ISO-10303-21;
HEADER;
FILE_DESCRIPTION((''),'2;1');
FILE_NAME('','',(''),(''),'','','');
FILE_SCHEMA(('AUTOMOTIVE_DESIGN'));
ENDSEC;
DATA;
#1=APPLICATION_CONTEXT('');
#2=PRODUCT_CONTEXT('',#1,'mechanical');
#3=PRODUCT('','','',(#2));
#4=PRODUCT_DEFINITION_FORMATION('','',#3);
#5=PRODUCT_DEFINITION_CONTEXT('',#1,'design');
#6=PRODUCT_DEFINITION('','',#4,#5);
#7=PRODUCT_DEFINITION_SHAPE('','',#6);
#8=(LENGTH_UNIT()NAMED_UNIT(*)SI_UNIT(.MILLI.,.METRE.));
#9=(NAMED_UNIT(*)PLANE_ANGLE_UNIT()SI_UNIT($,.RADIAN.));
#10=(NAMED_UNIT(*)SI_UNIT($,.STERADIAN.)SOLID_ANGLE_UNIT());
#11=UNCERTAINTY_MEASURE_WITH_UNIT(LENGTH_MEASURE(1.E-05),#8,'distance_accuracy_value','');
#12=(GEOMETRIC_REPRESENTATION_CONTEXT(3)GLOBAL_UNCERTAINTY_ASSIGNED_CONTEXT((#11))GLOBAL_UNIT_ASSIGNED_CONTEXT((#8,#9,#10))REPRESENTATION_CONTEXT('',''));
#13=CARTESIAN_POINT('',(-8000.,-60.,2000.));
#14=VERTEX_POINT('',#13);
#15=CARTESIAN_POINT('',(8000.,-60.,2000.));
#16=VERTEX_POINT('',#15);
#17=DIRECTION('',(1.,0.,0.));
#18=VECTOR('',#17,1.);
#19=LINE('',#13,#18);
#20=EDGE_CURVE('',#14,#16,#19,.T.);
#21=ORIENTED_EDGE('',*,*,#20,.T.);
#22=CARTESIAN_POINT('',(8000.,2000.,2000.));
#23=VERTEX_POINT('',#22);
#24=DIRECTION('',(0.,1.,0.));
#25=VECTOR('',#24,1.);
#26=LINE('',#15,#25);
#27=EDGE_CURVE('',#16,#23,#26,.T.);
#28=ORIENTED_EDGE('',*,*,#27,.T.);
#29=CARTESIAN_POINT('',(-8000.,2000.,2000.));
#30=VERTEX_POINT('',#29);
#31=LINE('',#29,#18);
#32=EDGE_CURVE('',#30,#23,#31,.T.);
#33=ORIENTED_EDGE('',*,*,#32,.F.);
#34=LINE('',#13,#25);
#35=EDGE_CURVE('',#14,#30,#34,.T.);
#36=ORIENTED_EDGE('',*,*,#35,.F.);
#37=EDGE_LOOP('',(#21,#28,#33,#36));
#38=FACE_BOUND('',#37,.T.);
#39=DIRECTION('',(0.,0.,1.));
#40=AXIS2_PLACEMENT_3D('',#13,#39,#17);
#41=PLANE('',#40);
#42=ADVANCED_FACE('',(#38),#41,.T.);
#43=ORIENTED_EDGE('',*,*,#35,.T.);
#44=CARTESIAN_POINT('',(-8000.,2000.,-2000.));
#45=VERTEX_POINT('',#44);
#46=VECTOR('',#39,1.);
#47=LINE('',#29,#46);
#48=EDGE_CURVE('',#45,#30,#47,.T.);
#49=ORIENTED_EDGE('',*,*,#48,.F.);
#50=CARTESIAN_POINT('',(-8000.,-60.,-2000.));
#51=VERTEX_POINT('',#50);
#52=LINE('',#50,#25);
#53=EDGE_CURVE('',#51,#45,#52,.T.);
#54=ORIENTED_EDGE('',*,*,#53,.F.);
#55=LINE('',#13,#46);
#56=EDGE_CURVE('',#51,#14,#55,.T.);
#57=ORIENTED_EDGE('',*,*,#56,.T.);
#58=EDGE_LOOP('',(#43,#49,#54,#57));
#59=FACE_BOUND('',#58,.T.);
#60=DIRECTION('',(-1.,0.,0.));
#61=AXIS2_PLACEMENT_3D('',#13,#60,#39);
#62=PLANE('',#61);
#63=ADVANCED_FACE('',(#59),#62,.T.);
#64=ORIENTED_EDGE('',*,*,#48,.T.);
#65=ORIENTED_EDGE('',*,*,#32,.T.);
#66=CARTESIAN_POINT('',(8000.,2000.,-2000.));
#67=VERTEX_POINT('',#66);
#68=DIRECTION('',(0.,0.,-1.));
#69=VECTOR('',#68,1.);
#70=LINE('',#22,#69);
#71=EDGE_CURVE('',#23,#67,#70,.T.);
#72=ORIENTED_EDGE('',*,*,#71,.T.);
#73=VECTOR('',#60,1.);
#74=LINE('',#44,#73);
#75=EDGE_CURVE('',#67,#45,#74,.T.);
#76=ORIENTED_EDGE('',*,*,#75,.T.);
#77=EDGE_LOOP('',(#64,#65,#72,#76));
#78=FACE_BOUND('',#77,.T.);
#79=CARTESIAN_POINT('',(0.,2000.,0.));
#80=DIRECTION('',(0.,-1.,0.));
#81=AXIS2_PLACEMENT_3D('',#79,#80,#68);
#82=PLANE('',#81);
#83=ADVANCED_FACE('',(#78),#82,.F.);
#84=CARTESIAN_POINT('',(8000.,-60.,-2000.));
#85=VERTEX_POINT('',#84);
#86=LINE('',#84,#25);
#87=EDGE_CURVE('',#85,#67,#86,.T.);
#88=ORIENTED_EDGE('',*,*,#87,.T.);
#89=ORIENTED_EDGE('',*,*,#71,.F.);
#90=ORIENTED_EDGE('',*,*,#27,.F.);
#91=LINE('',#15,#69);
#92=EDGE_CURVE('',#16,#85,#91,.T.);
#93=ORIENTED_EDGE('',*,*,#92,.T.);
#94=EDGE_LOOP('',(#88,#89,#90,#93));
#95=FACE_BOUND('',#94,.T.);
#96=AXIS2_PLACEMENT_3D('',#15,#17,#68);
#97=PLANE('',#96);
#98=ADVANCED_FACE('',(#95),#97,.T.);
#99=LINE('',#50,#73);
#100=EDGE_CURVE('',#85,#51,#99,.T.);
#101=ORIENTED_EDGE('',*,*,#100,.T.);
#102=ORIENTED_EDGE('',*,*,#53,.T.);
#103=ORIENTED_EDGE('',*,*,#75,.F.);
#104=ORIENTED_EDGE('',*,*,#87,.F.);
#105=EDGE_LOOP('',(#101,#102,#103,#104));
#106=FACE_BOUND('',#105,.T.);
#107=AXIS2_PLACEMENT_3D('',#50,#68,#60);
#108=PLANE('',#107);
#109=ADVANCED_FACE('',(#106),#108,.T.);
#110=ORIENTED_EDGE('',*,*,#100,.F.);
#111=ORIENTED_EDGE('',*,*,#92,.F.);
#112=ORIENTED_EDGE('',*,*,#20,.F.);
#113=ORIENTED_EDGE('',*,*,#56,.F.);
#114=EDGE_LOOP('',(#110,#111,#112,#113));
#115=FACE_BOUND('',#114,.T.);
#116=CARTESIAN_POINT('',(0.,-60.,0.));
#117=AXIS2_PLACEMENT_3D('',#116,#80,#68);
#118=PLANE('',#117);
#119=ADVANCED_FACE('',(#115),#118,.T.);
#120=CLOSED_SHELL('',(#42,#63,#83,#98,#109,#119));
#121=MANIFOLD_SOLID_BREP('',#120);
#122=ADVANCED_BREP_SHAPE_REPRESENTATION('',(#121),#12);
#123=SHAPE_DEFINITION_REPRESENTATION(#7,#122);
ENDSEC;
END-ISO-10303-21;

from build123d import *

# Parameters (mm, degrees)
SKETCH1_W                = 16000
SKETCH1_H                = 4000
BOSS_EXTRUDE1_DEPTH      = 2000
BOSS_EXTRUDE1_DEPTH_BACK = 60


with BuildPart() as part:
    # Sketch1 → Boss-Extrude1 (new body, two sides)
    with BuildSketch(Plane(origin=(0, 0, 0), x_dir=(1, 0, 0), z_dir=(0, 1, 0))) as boss_extrude1_sk:
        Rectangle(SKETCH1_W, SKETCH1_H)
    extrude(amount=BOSS_EXTRUDE1_DEPTH)
    extrude(boss_extrude1_sk.sketch, amount=-BOSS_EXTRUDE1_DEPTH_BACK)


solid = part.part
